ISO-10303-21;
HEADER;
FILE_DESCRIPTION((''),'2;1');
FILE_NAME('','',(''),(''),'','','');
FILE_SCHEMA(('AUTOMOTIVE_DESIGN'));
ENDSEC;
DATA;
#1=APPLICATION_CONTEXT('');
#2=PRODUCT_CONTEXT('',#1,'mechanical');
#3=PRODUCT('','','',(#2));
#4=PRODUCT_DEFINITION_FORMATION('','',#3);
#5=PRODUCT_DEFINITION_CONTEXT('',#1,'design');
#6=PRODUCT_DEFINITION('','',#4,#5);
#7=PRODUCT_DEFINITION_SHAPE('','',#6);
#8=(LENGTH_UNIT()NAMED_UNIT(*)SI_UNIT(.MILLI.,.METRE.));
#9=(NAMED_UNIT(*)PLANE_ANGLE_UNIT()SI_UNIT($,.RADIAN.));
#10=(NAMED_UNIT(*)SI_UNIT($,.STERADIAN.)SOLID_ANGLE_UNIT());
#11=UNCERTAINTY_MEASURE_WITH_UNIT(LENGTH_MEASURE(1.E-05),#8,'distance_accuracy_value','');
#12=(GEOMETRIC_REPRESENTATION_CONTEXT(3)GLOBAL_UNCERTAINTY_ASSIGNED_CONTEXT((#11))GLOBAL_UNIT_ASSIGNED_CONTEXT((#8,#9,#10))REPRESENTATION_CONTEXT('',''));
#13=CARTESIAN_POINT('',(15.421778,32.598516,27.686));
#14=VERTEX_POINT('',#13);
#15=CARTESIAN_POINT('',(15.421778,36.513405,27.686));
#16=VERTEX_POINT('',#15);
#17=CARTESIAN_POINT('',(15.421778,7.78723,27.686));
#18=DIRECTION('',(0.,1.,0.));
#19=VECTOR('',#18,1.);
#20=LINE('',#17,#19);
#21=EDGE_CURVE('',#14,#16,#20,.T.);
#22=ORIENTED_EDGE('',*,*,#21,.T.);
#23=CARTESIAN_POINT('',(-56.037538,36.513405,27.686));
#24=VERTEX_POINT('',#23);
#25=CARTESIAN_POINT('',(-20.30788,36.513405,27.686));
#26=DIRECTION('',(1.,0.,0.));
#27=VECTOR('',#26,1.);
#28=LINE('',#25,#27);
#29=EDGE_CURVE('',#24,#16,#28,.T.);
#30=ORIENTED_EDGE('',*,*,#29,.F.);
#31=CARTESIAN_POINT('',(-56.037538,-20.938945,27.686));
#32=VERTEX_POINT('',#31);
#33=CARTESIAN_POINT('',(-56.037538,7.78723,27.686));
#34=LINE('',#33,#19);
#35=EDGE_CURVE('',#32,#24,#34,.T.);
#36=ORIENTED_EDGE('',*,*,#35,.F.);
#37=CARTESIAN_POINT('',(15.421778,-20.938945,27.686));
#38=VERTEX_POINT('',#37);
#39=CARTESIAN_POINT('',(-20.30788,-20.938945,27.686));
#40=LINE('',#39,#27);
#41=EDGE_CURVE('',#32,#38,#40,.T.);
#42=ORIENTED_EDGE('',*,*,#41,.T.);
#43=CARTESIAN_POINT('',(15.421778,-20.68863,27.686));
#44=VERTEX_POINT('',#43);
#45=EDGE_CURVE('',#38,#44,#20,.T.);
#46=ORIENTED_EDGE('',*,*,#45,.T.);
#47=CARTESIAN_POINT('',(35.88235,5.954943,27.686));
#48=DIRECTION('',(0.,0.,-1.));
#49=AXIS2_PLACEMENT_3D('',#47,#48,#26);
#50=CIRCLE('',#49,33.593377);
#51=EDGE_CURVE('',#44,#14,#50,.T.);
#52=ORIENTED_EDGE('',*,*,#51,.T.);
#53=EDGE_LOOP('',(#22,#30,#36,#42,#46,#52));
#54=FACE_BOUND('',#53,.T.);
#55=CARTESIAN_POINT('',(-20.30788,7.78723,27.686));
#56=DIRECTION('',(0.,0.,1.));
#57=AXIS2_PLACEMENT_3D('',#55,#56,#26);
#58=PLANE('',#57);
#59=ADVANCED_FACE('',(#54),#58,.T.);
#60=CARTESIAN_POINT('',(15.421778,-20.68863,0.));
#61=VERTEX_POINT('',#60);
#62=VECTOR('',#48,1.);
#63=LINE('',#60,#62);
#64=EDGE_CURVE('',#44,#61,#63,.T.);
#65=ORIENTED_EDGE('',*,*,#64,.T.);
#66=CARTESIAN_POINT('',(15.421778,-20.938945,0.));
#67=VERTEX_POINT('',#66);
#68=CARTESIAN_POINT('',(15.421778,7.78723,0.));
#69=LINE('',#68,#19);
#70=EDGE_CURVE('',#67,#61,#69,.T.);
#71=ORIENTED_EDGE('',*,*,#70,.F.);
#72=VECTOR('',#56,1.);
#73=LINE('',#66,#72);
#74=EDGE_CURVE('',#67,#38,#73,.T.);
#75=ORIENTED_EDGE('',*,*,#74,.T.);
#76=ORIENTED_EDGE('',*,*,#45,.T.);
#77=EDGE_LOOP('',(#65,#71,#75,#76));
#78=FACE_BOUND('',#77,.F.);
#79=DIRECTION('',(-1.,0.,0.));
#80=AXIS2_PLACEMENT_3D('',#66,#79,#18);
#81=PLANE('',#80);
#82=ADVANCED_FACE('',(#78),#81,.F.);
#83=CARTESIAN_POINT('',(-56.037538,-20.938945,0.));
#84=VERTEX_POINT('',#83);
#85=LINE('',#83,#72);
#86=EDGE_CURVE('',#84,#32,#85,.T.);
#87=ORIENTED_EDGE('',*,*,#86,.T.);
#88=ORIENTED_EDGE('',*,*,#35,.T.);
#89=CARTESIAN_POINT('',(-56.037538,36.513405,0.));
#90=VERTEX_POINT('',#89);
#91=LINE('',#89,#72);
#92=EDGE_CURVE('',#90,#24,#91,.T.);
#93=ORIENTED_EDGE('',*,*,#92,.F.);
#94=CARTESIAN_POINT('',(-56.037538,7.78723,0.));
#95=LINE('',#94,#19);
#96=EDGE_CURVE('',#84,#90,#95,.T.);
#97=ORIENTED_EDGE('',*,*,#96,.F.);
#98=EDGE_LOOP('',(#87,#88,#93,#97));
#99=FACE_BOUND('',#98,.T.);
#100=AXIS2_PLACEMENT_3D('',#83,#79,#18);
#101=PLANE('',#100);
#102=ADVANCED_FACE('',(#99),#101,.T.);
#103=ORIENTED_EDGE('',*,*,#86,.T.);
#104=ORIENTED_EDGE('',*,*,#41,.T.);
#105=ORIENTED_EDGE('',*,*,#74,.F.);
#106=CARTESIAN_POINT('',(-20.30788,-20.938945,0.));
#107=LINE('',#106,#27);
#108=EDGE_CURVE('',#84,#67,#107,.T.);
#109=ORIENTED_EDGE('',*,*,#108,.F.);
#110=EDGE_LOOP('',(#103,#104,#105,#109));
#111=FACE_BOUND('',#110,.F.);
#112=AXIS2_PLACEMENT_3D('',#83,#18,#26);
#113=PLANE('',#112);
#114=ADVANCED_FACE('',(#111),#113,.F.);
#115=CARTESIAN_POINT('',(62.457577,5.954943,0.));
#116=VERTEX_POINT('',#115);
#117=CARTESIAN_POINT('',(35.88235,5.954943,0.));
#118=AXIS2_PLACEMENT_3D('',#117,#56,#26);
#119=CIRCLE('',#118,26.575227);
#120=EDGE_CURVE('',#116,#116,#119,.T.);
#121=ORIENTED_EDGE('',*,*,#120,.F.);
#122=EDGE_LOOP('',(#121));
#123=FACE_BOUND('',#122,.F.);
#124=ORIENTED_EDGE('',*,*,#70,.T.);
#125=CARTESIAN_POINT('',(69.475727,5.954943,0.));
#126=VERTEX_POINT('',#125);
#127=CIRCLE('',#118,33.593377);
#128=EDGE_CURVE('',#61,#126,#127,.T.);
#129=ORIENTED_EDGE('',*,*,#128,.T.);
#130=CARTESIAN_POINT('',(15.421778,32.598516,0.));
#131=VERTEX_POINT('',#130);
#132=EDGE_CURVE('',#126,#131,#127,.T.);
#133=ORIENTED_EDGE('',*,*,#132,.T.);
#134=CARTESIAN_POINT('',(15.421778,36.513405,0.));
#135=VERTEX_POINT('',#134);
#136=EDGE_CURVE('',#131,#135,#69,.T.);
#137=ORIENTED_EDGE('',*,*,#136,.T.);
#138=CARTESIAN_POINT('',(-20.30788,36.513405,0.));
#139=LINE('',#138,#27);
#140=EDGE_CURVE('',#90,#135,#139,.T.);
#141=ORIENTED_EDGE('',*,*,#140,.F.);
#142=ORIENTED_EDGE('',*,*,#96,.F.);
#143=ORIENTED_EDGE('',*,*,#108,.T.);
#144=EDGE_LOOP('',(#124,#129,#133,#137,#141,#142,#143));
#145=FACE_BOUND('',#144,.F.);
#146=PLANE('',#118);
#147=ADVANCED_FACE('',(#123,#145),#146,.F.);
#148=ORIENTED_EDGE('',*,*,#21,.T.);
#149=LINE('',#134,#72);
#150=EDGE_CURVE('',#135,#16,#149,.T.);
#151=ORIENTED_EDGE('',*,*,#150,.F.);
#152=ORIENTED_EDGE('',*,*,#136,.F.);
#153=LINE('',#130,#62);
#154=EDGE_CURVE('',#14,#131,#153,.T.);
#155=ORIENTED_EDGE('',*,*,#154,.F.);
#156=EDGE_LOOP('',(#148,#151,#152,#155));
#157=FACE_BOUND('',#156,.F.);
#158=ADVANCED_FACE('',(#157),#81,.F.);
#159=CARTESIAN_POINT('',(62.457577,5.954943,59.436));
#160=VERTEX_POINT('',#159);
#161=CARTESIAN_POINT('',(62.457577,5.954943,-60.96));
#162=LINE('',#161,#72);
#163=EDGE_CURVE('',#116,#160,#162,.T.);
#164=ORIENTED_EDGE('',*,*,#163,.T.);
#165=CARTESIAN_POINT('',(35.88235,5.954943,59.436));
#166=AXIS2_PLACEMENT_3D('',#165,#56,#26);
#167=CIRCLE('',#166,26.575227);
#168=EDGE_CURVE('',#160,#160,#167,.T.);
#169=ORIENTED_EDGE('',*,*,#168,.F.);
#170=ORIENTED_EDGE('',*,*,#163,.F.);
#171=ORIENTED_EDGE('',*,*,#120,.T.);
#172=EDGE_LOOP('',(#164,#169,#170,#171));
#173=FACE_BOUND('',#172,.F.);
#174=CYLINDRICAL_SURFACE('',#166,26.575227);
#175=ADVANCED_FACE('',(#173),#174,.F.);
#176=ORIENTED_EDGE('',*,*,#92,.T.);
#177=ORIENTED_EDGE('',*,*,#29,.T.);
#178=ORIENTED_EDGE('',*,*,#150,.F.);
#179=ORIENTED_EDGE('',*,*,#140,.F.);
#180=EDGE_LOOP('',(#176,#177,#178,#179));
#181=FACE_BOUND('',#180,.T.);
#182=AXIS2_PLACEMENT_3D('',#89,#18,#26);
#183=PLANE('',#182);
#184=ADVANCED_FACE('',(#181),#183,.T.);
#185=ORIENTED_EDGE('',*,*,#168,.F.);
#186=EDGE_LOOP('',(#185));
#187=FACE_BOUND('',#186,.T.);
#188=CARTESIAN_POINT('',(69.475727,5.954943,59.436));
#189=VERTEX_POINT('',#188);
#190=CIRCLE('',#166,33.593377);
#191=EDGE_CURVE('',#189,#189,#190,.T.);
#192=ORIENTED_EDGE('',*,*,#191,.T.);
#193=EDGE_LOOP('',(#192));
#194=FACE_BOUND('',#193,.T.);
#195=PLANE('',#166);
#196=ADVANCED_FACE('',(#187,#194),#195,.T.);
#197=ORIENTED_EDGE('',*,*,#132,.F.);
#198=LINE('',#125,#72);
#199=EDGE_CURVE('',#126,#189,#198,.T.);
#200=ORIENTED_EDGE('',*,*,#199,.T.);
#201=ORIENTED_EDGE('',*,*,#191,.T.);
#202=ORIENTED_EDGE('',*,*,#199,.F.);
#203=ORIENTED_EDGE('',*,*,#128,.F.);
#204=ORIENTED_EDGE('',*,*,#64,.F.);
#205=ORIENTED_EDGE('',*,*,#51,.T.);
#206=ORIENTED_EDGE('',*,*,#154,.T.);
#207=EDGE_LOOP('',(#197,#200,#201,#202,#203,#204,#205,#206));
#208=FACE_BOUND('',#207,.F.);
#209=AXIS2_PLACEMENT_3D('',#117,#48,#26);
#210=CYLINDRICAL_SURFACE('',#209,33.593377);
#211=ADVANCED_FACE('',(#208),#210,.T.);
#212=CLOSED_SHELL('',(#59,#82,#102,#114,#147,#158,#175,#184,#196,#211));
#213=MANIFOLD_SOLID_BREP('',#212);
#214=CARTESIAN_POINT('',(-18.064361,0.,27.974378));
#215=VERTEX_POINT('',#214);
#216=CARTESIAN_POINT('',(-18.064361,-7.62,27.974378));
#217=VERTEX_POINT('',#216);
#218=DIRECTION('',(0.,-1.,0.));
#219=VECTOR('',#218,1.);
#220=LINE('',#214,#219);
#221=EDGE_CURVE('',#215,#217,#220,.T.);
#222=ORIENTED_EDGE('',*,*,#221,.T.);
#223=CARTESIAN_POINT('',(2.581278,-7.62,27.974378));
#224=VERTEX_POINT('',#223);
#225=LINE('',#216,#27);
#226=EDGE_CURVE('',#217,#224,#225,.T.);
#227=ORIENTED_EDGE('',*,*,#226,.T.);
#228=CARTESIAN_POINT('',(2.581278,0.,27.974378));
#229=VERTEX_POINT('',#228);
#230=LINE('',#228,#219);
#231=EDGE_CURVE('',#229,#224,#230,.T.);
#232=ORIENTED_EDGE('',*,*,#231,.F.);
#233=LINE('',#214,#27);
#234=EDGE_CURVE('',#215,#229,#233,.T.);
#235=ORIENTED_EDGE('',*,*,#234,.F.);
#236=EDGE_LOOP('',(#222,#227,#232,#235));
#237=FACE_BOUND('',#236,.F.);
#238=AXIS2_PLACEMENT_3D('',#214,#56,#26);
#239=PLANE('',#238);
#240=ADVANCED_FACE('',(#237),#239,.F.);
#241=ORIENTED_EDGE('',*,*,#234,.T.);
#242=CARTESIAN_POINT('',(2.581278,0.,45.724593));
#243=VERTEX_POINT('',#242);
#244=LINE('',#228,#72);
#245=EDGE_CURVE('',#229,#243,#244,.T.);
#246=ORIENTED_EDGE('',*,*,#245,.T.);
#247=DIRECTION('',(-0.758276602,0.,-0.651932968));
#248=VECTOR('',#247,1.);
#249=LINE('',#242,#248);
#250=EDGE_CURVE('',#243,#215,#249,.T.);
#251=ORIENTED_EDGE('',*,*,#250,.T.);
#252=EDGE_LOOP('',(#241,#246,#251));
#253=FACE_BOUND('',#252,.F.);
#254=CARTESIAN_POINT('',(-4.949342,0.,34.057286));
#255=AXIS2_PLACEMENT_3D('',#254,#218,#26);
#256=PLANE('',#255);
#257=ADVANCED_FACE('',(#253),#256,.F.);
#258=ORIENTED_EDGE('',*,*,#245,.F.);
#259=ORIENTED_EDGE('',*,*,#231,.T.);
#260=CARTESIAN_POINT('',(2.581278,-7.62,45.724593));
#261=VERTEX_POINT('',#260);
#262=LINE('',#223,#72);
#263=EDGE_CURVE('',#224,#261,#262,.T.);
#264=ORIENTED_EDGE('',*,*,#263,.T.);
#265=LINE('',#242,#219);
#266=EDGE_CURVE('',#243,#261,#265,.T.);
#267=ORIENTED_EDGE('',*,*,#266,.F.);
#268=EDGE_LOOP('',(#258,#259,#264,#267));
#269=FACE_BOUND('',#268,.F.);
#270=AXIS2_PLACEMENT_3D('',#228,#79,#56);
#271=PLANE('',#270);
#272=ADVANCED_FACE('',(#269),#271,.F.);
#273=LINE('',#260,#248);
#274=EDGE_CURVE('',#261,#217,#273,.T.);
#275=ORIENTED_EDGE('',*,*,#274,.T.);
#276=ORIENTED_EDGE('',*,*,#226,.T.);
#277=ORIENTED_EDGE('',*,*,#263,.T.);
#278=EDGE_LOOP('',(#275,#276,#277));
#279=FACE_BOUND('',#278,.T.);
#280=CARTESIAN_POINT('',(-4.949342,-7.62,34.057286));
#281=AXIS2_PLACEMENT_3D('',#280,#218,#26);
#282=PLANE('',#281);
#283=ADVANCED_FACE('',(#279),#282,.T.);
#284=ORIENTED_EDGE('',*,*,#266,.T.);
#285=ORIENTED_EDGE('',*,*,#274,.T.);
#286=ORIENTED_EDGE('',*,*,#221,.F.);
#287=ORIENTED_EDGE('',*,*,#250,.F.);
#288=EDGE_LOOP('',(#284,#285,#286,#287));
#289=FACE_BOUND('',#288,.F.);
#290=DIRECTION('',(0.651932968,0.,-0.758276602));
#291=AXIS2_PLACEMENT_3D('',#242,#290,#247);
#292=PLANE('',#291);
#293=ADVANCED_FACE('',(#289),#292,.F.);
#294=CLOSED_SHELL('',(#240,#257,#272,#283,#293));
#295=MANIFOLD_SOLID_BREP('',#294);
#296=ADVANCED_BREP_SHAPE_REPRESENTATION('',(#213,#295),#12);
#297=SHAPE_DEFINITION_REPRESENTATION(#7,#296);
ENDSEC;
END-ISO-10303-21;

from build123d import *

# Parameters (mm, degrees)
F0_W     = 71.459316
F0_H     = 57.452351
F1_DEPTH = 27.686
F2_R     = 33.593377
F3_DEPTH = 59.436
F4_R     = 26.575227
F5_DEPTH = 120.396
F7_DEPTH = 7.62


with BuildPart() as f1:
    # F0 (on Top) → F1 (new body)
    with BuildSketch(Plane.XY):
        with Locations((-20.30788, 7.78723)):
            Rectangle(F0_W, F0_H)
    extrude(amount=F1_DEPTH)

    # F2 (on Top) → F3 (join)
    with BuildSketch(Plane.XY):
        with Locations((35.88235, 5.954943)):
            Circle(F2_R)
    extrude(amount=F3_DEPTH)

    # F4 (on face) → F5 (cut, symmetric)
    with BuildSketch(Plane.XY.offset(59.436)):
        with Locations((35.88235, 5.954943)):
            Circle(F4_R)
    extrude(amount=F5_DEPTH, both=True, mode=Mode.SUBTRACT)


with BuildPart() as f7:
    # F6 (on Front) → F7 (new body)
    with BuildSketch(Plane.XZ):
        Polygon((2.581278, 45.724593), (-18.064361, 27.974378), (2.581278, 27.974378), align=None)
    extrude(amount=F7_DEPTH)


solid = Compound([f1.part, f7.part])
